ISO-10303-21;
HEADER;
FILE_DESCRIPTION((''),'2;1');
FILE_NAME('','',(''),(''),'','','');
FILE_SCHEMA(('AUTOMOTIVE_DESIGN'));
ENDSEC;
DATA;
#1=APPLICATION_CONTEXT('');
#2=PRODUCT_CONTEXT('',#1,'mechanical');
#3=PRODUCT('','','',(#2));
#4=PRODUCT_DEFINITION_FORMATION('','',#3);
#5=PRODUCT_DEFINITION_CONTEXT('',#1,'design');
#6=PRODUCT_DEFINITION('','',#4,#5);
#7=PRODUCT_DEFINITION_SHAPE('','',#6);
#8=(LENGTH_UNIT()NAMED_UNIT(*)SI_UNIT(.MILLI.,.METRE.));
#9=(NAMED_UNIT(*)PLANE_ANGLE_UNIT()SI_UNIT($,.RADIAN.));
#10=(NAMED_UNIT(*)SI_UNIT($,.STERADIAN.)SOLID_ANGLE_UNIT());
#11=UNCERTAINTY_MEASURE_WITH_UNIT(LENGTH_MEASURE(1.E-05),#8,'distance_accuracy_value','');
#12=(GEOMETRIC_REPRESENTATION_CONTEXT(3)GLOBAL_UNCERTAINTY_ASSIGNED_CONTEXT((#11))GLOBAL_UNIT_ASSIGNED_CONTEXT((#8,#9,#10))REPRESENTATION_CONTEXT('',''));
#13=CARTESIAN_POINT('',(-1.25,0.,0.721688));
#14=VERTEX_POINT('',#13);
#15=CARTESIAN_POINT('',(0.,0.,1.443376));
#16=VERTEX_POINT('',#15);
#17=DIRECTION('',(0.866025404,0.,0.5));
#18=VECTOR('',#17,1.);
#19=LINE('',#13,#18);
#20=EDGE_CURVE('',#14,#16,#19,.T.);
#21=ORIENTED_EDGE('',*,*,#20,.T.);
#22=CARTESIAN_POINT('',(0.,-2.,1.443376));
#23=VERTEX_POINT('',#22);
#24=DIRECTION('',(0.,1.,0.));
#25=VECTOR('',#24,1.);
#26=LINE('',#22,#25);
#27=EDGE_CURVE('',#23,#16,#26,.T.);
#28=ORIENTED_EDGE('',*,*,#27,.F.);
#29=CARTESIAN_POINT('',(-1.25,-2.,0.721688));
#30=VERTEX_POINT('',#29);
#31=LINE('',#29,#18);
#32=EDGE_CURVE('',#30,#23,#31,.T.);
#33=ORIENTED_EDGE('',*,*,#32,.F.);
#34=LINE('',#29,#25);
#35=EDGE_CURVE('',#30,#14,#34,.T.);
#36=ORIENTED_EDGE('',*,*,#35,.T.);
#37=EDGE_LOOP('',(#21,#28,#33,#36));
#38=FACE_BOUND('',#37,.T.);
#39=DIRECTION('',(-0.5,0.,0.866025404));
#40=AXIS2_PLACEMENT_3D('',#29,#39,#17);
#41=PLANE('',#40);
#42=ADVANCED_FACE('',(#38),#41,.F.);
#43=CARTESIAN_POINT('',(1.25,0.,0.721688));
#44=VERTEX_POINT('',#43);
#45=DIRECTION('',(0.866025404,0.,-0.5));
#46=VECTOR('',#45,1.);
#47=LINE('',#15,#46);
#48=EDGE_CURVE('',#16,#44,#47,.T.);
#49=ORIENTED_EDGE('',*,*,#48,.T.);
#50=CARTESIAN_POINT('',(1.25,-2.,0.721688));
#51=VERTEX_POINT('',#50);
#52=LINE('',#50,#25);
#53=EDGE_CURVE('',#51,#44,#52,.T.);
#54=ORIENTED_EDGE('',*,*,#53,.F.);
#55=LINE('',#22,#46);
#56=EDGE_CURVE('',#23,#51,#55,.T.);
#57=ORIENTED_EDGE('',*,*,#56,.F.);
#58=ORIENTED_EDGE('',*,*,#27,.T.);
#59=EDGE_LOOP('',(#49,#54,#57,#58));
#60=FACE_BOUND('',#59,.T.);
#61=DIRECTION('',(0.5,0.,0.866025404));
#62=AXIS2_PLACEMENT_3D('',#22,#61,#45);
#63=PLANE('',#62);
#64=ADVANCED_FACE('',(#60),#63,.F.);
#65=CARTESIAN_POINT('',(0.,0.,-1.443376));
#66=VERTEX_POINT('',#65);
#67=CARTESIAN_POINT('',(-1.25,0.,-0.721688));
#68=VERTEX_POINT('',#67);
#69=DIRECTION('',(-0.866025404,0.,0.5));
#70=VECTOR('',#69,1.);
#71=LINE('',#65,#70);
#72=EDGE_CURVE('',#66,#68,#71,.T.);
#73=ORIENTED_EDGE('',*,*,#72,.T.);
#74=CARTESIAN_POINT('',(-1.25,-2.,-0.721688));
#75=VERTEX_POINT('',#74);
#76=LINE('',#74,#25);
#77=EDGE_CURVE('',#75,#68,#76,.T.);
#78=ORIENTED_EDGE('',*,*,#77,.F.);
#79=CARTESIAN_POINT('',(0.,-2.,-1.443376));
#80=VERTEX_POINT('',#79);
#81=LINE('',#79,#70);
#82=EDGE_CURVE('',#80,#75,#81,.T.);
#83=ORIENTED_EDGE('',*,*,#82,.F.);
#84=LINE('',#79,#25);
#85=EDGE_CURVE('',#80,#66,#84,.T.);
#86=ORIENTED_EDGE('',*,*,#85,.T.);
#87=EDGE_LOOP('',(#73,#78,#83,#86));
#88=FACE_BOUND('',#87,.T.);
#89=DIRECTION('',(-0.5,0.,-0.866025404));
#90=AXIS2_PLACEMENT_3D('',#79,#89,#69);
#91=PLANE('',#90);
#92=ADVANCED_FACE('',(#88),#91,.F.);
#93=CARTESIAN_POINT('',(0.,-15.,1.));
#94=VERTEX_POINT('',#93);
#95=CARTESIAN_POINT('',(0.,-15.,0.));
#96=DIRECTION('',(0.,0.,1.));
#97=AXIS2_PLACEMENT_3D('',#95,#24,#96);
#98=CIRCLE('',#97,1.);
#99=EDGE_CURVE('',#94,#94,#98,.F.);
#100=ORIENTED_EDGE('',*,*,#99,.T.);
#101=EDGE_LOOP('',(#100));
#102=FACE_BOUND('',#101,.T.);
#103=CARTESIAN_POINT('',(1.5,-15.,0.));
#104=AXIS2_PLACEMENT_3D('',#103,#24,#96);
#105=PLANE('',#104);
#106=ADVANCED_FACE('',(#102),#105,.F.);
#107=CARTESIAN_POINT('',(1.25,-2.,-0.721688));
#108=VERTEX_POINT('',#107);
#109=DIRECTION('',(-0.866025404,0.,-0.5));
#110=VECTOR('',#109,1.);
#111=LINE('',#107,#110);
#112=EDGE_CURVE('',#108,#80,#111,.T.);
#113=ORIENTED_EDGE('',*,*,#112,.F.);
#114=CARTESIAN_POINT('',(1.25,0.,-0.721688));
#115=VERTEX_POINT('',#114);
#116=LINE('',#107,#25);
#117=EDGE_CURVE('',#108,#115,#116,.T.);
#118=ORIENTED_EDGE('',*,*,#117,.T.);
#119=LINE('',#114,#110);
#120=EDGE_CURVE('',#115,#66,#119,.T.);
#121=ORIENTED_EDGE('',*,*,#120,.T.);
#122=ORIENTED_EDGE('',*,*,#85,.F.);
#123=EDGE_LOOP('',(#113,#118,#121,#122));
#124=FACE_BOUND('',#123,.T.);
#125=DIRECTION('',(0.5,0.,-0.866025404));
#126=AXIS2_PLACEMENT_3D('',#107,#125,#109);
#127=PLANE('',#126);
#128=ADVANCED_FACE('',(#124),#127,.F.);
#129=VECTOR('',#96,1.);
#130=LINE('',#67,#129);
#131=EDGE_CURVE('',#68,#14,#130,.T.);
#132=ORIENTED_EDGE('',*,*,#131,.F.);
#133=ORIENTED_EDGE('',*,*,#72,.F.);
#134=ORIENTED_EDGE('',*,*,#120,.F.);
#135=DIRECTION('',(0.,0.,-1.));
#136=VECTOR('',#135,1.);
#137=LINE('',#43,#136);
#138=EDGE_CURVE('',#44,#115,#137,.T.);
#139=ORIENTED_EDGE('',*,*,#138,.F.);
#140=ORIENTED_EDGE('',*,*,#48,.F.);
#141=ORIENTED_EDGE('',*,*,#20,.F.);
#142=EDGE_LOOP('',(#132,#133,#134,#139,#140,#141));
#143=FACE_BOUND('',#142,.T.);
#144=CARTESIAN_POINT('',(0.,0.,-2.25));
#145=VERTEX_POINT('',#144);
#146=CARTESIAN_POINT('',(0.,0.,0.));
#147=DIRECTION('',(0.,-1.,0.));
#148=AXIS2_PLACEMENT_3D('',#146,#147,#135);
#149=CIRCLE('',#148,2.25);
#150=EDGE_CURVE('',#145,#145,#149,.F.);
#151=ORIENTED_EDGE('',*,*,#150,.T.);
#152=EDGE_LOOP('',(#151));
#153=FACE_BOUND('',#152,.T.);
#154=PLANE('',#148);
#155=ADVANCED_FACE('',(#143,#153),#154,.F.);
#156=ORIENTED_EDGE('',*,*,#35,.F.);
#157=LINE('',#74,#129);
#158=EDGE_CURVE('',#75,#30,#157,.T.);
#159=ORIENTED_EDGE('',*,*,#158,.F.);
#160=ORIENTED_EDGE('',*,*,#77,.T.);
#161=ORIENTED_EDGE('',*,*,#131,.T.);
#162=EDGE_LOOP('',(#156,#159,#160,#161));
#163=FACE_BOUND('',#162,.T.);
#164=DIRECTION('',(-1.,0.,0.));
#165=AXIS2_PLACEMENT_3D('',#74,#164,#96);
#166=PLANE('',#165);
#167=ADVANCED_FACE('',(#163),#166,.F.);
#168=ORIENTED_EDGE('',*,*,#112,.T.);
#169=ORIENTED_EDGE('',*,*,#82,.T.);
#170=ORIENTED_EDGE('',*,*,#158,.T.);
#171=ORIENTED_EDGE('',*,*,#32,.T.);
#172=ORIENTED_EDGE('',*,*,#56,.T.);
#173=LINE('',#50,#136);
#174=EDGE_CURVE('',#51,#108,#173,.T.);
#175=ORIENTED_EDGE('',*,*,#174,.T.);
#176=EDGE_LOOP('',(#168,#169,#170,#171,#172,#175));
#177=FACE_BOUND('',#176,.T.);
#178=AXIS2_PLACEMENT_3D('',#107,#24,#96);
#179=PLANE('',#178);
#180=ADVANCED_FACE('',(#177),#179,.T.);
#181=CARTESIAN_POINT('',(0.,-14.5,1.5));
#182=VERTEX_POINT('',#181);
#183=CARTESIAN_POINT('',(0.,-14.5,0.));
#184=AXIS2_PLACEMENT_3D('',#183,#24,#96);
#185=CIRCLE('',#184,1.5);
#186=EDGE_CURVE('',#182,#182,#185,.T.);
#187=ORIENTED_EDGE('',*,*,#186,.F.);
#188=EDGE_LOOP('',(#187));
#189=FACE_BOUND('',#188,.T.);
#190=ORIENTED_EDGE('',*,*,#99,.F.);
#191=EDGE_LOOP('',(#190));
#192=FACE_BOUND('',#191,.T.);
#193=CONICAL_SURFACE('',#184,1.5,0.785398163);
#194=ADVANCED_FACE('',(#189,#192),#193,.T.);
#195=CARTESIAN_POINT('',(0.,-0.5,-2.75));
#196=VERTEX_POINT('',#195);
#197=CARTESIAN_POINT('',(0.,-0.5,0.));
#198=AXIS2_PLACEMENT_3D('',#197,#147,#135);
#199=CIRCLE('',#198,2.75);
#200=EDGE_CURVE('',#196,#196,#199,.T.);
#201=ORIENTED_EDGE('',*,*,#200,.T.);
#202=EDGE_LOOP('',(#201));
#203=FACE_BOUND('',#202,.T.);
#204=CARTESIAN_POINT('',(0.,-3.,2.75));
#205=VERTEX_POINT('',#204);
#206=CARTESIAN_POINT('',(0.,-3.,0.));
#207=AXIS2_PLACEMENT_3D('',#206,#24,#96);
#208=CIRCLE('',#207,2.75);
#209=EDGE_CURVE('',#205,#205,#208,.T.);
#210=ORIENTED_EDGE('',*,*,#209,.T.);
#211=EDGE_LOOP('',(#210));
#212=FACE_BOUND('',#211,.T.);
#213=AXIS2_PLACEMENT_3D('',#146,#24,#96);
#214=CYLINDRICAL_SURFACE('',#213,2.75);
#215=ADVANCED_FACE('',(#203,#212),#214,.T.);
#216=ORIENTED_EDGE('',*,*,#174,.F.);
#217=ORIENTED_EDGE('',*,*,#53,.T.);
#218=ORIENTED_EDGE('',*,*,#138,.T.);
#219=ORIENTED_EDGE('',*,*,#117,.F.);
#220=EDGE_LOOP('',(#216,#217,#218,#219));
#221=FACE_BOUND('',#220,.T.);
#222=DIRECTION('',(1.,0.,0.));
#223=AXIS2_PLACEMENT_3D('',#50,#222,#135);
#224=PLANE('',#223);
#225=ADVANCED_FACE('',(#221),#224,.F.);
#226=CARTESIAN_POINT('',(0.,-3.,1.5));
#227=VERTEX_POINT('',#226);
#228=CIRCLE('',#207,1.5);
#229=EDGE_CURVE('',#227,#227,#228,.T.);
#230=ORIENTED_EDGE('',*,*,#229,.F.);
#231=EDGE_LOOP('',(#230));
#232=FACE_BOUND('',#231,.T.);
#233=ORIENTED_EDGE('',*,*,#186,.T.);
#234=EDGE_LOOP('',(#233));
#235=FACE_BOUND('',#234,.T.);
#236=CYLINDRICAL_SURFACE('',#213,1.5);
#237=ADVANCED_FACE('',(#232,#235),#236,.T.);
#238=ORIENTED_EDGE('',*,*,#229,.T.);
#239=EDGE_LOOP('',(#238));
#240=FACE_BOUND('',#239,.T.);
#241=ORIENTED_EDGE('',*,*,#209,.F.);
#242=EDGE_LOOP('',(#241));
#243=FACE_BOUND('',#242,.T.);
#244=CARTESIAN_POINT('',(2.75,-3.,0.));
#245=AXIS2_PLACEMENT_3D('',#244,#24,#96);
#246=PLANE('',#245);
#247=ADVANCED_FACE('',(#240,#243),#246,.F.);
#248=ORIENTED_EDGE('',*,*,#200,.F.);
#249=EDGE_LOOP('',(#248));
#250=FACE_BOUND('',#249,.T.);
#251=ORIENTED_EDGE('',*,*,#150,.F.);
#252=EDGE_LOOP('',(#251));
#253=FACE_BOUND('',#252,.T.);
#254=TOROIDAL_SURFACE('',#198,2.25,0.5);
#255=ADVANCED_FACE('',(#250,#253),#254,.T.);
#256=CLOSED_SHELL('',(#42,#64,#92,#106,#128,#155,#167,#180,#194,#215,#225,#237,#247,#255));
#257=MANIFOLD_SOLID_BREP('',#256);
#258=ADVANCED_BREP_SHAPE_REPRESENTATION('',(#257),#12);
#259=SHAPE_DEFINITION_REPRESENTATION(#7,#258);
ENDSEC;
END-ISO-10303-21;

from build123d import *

# Parameters (mm, degrees)
CORTAR_EXTRUIR1_DEPTH = 2
CHAFL_N1_SIZE         = 0.5
REDONDEO1_R           = 0.5


with BuildPart() as part:
    # Croquis1 → Revolución1 (revolve)
    with BuildSketch(Plane.XY):
        Polygon((0, 0), (2.75, 0), (2.75, -3), (1.5, -3), (1.5, -15), (0, -15), align=None)
    revolve(axis=Axis((0, 0, 0), (0, -1, 0)))

    # Croquis2 → Cortar-Extruir1 (cut)
    with BuildSketch(Plane(origin=(0, 0, 0), x_dir=(1, 0, 0), z_dir=(0, 1, 0))):
        Polygon((1.25, 0.721687836), (0, 1.443375673), (-1.25, 0.721687836), (-1.25, -0.721687836), (0, -1.443375673), (1.25, -0.721687836), align=None)
    extrude(amount=-CORTAR_EXTRUIR1_DEPTH, mode=Mode.SUBTRACT)

    # Chaflán1
    chafl_n1_edges = [part.edges().sort_by_distance(p)[0] for p in [
        (-1.5, -15, 0),
    ]]
    chamfer(chafl_n1_edges, length=CHAFL_N1_SIZE)

    # Redondeo1
    redondeo1_edges = [part.edges().sort_by_distance(p)[0] for p in [
        (-2.75, 0, 0),
    ]]
    fillet(redondeo1_edges, radius=REDONDEO1_R)


solid = part.part
